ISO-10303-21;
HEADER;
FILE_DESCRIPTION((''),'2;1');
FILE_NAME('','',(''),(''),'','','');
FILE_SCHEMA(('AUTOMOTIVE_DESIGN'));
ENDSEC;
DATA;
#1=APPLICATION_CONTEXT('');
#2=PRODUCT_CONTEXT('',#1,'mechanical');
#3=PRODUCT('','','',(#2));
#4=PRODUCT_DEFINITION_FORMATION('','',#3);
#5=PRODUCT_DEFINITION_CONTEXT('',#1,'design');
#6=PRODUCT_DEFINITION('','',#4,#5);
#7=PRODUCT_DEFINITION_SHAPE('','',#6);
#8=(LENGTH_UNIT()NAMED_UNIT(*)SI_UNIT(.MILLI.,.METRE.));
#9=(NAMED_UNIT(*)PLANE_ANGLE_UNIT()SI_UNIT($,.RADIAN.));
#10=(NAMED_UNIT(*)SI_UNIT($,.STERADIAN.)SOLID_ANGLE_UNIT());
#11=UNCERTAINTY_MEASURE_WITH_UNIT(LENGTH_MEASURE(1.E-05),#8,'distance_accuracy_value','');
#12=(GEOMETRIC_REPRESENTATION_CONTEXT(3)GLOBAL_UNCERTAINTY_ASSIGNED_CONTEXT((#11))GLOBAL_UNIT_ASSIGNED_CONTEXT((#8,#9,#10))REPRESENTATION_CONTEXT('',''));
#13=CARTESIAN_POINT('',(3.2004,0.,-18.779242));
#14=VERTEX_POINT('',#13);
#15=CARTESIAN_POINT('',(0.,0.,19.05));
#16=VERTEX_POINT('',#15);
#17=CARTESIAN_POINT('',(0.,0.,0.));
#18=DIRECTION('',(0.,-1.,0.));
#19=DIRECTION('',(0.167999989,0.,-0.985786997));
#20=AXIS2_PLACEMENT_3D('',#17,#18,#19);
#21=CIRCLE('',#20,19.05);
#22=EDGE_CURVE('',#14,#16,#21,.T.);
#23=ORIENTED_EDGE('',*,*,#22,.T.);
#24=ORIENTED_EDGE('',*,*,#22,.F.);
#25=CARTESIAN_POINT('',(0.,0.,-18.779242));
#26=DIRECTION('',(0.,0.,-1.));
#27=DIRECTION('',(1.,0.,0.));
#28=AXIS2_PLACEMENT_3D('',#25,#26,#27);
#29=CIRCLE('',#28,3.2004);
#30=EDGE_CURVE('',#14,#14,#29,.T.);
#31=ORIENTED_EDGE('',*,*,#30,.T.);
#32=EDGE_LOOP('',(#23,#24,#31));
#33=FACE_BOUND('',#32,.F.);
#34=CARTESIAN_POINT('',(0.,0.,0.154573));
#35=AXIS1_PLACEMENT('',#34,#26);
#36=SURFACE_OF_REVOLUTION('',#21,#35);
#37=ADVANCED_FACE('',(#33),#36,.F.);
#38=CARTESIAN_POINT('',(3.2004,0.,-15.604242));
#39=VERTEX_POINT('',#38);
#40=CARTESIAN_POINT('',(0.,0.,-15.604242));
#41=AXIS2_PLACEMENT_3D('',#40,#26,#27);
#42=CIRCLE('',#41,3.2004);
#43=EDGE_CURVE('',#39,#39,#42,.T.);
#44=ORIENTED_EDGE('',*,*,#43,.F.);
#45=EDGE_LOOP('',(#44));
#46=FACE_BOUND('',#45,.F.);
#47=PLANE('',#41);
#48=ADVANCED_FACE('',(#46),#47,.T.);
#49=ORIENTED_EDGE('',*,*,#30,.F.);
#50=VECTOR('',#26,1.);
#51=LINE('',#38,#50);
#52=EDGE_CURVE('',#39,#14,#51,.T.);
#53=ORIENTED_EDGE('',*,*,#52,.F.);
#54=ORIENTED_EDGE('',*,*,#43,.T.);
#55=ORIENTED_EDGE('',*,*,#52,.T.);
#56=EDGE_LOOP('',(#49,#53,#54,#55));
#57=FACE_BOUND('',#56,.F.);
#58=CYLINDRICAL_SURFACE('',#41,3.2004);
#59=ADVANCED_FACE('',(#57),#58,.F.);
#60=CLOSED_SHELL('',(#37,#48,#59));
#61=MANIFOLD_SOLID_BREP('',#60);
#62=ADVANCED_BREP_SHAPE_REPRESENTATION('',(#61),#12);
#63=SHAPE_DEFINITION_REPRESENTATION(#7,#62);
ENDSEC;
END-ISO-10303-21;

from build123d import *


with BuildPart() as f1:
    # F0 (on Front) → F1 (revolve)
    with BuildSketch(Plane.XZ):
        with BuildLine():
            Line((3.2004, -15.604242), (3.2004, -18.779242))
            ThreePointArc((3.2004, -18.779242), (18.98219, 1.605916), (0, 19.05))
            Line((0, 19.05), (0, -15.604242))
            Line((0, -15.604242), (3.2004, -15.604242))
        make_face()
    revolve(axis=Axis((0, 0, 0.154573), (0, 0, -1)))


solid = f1.part
